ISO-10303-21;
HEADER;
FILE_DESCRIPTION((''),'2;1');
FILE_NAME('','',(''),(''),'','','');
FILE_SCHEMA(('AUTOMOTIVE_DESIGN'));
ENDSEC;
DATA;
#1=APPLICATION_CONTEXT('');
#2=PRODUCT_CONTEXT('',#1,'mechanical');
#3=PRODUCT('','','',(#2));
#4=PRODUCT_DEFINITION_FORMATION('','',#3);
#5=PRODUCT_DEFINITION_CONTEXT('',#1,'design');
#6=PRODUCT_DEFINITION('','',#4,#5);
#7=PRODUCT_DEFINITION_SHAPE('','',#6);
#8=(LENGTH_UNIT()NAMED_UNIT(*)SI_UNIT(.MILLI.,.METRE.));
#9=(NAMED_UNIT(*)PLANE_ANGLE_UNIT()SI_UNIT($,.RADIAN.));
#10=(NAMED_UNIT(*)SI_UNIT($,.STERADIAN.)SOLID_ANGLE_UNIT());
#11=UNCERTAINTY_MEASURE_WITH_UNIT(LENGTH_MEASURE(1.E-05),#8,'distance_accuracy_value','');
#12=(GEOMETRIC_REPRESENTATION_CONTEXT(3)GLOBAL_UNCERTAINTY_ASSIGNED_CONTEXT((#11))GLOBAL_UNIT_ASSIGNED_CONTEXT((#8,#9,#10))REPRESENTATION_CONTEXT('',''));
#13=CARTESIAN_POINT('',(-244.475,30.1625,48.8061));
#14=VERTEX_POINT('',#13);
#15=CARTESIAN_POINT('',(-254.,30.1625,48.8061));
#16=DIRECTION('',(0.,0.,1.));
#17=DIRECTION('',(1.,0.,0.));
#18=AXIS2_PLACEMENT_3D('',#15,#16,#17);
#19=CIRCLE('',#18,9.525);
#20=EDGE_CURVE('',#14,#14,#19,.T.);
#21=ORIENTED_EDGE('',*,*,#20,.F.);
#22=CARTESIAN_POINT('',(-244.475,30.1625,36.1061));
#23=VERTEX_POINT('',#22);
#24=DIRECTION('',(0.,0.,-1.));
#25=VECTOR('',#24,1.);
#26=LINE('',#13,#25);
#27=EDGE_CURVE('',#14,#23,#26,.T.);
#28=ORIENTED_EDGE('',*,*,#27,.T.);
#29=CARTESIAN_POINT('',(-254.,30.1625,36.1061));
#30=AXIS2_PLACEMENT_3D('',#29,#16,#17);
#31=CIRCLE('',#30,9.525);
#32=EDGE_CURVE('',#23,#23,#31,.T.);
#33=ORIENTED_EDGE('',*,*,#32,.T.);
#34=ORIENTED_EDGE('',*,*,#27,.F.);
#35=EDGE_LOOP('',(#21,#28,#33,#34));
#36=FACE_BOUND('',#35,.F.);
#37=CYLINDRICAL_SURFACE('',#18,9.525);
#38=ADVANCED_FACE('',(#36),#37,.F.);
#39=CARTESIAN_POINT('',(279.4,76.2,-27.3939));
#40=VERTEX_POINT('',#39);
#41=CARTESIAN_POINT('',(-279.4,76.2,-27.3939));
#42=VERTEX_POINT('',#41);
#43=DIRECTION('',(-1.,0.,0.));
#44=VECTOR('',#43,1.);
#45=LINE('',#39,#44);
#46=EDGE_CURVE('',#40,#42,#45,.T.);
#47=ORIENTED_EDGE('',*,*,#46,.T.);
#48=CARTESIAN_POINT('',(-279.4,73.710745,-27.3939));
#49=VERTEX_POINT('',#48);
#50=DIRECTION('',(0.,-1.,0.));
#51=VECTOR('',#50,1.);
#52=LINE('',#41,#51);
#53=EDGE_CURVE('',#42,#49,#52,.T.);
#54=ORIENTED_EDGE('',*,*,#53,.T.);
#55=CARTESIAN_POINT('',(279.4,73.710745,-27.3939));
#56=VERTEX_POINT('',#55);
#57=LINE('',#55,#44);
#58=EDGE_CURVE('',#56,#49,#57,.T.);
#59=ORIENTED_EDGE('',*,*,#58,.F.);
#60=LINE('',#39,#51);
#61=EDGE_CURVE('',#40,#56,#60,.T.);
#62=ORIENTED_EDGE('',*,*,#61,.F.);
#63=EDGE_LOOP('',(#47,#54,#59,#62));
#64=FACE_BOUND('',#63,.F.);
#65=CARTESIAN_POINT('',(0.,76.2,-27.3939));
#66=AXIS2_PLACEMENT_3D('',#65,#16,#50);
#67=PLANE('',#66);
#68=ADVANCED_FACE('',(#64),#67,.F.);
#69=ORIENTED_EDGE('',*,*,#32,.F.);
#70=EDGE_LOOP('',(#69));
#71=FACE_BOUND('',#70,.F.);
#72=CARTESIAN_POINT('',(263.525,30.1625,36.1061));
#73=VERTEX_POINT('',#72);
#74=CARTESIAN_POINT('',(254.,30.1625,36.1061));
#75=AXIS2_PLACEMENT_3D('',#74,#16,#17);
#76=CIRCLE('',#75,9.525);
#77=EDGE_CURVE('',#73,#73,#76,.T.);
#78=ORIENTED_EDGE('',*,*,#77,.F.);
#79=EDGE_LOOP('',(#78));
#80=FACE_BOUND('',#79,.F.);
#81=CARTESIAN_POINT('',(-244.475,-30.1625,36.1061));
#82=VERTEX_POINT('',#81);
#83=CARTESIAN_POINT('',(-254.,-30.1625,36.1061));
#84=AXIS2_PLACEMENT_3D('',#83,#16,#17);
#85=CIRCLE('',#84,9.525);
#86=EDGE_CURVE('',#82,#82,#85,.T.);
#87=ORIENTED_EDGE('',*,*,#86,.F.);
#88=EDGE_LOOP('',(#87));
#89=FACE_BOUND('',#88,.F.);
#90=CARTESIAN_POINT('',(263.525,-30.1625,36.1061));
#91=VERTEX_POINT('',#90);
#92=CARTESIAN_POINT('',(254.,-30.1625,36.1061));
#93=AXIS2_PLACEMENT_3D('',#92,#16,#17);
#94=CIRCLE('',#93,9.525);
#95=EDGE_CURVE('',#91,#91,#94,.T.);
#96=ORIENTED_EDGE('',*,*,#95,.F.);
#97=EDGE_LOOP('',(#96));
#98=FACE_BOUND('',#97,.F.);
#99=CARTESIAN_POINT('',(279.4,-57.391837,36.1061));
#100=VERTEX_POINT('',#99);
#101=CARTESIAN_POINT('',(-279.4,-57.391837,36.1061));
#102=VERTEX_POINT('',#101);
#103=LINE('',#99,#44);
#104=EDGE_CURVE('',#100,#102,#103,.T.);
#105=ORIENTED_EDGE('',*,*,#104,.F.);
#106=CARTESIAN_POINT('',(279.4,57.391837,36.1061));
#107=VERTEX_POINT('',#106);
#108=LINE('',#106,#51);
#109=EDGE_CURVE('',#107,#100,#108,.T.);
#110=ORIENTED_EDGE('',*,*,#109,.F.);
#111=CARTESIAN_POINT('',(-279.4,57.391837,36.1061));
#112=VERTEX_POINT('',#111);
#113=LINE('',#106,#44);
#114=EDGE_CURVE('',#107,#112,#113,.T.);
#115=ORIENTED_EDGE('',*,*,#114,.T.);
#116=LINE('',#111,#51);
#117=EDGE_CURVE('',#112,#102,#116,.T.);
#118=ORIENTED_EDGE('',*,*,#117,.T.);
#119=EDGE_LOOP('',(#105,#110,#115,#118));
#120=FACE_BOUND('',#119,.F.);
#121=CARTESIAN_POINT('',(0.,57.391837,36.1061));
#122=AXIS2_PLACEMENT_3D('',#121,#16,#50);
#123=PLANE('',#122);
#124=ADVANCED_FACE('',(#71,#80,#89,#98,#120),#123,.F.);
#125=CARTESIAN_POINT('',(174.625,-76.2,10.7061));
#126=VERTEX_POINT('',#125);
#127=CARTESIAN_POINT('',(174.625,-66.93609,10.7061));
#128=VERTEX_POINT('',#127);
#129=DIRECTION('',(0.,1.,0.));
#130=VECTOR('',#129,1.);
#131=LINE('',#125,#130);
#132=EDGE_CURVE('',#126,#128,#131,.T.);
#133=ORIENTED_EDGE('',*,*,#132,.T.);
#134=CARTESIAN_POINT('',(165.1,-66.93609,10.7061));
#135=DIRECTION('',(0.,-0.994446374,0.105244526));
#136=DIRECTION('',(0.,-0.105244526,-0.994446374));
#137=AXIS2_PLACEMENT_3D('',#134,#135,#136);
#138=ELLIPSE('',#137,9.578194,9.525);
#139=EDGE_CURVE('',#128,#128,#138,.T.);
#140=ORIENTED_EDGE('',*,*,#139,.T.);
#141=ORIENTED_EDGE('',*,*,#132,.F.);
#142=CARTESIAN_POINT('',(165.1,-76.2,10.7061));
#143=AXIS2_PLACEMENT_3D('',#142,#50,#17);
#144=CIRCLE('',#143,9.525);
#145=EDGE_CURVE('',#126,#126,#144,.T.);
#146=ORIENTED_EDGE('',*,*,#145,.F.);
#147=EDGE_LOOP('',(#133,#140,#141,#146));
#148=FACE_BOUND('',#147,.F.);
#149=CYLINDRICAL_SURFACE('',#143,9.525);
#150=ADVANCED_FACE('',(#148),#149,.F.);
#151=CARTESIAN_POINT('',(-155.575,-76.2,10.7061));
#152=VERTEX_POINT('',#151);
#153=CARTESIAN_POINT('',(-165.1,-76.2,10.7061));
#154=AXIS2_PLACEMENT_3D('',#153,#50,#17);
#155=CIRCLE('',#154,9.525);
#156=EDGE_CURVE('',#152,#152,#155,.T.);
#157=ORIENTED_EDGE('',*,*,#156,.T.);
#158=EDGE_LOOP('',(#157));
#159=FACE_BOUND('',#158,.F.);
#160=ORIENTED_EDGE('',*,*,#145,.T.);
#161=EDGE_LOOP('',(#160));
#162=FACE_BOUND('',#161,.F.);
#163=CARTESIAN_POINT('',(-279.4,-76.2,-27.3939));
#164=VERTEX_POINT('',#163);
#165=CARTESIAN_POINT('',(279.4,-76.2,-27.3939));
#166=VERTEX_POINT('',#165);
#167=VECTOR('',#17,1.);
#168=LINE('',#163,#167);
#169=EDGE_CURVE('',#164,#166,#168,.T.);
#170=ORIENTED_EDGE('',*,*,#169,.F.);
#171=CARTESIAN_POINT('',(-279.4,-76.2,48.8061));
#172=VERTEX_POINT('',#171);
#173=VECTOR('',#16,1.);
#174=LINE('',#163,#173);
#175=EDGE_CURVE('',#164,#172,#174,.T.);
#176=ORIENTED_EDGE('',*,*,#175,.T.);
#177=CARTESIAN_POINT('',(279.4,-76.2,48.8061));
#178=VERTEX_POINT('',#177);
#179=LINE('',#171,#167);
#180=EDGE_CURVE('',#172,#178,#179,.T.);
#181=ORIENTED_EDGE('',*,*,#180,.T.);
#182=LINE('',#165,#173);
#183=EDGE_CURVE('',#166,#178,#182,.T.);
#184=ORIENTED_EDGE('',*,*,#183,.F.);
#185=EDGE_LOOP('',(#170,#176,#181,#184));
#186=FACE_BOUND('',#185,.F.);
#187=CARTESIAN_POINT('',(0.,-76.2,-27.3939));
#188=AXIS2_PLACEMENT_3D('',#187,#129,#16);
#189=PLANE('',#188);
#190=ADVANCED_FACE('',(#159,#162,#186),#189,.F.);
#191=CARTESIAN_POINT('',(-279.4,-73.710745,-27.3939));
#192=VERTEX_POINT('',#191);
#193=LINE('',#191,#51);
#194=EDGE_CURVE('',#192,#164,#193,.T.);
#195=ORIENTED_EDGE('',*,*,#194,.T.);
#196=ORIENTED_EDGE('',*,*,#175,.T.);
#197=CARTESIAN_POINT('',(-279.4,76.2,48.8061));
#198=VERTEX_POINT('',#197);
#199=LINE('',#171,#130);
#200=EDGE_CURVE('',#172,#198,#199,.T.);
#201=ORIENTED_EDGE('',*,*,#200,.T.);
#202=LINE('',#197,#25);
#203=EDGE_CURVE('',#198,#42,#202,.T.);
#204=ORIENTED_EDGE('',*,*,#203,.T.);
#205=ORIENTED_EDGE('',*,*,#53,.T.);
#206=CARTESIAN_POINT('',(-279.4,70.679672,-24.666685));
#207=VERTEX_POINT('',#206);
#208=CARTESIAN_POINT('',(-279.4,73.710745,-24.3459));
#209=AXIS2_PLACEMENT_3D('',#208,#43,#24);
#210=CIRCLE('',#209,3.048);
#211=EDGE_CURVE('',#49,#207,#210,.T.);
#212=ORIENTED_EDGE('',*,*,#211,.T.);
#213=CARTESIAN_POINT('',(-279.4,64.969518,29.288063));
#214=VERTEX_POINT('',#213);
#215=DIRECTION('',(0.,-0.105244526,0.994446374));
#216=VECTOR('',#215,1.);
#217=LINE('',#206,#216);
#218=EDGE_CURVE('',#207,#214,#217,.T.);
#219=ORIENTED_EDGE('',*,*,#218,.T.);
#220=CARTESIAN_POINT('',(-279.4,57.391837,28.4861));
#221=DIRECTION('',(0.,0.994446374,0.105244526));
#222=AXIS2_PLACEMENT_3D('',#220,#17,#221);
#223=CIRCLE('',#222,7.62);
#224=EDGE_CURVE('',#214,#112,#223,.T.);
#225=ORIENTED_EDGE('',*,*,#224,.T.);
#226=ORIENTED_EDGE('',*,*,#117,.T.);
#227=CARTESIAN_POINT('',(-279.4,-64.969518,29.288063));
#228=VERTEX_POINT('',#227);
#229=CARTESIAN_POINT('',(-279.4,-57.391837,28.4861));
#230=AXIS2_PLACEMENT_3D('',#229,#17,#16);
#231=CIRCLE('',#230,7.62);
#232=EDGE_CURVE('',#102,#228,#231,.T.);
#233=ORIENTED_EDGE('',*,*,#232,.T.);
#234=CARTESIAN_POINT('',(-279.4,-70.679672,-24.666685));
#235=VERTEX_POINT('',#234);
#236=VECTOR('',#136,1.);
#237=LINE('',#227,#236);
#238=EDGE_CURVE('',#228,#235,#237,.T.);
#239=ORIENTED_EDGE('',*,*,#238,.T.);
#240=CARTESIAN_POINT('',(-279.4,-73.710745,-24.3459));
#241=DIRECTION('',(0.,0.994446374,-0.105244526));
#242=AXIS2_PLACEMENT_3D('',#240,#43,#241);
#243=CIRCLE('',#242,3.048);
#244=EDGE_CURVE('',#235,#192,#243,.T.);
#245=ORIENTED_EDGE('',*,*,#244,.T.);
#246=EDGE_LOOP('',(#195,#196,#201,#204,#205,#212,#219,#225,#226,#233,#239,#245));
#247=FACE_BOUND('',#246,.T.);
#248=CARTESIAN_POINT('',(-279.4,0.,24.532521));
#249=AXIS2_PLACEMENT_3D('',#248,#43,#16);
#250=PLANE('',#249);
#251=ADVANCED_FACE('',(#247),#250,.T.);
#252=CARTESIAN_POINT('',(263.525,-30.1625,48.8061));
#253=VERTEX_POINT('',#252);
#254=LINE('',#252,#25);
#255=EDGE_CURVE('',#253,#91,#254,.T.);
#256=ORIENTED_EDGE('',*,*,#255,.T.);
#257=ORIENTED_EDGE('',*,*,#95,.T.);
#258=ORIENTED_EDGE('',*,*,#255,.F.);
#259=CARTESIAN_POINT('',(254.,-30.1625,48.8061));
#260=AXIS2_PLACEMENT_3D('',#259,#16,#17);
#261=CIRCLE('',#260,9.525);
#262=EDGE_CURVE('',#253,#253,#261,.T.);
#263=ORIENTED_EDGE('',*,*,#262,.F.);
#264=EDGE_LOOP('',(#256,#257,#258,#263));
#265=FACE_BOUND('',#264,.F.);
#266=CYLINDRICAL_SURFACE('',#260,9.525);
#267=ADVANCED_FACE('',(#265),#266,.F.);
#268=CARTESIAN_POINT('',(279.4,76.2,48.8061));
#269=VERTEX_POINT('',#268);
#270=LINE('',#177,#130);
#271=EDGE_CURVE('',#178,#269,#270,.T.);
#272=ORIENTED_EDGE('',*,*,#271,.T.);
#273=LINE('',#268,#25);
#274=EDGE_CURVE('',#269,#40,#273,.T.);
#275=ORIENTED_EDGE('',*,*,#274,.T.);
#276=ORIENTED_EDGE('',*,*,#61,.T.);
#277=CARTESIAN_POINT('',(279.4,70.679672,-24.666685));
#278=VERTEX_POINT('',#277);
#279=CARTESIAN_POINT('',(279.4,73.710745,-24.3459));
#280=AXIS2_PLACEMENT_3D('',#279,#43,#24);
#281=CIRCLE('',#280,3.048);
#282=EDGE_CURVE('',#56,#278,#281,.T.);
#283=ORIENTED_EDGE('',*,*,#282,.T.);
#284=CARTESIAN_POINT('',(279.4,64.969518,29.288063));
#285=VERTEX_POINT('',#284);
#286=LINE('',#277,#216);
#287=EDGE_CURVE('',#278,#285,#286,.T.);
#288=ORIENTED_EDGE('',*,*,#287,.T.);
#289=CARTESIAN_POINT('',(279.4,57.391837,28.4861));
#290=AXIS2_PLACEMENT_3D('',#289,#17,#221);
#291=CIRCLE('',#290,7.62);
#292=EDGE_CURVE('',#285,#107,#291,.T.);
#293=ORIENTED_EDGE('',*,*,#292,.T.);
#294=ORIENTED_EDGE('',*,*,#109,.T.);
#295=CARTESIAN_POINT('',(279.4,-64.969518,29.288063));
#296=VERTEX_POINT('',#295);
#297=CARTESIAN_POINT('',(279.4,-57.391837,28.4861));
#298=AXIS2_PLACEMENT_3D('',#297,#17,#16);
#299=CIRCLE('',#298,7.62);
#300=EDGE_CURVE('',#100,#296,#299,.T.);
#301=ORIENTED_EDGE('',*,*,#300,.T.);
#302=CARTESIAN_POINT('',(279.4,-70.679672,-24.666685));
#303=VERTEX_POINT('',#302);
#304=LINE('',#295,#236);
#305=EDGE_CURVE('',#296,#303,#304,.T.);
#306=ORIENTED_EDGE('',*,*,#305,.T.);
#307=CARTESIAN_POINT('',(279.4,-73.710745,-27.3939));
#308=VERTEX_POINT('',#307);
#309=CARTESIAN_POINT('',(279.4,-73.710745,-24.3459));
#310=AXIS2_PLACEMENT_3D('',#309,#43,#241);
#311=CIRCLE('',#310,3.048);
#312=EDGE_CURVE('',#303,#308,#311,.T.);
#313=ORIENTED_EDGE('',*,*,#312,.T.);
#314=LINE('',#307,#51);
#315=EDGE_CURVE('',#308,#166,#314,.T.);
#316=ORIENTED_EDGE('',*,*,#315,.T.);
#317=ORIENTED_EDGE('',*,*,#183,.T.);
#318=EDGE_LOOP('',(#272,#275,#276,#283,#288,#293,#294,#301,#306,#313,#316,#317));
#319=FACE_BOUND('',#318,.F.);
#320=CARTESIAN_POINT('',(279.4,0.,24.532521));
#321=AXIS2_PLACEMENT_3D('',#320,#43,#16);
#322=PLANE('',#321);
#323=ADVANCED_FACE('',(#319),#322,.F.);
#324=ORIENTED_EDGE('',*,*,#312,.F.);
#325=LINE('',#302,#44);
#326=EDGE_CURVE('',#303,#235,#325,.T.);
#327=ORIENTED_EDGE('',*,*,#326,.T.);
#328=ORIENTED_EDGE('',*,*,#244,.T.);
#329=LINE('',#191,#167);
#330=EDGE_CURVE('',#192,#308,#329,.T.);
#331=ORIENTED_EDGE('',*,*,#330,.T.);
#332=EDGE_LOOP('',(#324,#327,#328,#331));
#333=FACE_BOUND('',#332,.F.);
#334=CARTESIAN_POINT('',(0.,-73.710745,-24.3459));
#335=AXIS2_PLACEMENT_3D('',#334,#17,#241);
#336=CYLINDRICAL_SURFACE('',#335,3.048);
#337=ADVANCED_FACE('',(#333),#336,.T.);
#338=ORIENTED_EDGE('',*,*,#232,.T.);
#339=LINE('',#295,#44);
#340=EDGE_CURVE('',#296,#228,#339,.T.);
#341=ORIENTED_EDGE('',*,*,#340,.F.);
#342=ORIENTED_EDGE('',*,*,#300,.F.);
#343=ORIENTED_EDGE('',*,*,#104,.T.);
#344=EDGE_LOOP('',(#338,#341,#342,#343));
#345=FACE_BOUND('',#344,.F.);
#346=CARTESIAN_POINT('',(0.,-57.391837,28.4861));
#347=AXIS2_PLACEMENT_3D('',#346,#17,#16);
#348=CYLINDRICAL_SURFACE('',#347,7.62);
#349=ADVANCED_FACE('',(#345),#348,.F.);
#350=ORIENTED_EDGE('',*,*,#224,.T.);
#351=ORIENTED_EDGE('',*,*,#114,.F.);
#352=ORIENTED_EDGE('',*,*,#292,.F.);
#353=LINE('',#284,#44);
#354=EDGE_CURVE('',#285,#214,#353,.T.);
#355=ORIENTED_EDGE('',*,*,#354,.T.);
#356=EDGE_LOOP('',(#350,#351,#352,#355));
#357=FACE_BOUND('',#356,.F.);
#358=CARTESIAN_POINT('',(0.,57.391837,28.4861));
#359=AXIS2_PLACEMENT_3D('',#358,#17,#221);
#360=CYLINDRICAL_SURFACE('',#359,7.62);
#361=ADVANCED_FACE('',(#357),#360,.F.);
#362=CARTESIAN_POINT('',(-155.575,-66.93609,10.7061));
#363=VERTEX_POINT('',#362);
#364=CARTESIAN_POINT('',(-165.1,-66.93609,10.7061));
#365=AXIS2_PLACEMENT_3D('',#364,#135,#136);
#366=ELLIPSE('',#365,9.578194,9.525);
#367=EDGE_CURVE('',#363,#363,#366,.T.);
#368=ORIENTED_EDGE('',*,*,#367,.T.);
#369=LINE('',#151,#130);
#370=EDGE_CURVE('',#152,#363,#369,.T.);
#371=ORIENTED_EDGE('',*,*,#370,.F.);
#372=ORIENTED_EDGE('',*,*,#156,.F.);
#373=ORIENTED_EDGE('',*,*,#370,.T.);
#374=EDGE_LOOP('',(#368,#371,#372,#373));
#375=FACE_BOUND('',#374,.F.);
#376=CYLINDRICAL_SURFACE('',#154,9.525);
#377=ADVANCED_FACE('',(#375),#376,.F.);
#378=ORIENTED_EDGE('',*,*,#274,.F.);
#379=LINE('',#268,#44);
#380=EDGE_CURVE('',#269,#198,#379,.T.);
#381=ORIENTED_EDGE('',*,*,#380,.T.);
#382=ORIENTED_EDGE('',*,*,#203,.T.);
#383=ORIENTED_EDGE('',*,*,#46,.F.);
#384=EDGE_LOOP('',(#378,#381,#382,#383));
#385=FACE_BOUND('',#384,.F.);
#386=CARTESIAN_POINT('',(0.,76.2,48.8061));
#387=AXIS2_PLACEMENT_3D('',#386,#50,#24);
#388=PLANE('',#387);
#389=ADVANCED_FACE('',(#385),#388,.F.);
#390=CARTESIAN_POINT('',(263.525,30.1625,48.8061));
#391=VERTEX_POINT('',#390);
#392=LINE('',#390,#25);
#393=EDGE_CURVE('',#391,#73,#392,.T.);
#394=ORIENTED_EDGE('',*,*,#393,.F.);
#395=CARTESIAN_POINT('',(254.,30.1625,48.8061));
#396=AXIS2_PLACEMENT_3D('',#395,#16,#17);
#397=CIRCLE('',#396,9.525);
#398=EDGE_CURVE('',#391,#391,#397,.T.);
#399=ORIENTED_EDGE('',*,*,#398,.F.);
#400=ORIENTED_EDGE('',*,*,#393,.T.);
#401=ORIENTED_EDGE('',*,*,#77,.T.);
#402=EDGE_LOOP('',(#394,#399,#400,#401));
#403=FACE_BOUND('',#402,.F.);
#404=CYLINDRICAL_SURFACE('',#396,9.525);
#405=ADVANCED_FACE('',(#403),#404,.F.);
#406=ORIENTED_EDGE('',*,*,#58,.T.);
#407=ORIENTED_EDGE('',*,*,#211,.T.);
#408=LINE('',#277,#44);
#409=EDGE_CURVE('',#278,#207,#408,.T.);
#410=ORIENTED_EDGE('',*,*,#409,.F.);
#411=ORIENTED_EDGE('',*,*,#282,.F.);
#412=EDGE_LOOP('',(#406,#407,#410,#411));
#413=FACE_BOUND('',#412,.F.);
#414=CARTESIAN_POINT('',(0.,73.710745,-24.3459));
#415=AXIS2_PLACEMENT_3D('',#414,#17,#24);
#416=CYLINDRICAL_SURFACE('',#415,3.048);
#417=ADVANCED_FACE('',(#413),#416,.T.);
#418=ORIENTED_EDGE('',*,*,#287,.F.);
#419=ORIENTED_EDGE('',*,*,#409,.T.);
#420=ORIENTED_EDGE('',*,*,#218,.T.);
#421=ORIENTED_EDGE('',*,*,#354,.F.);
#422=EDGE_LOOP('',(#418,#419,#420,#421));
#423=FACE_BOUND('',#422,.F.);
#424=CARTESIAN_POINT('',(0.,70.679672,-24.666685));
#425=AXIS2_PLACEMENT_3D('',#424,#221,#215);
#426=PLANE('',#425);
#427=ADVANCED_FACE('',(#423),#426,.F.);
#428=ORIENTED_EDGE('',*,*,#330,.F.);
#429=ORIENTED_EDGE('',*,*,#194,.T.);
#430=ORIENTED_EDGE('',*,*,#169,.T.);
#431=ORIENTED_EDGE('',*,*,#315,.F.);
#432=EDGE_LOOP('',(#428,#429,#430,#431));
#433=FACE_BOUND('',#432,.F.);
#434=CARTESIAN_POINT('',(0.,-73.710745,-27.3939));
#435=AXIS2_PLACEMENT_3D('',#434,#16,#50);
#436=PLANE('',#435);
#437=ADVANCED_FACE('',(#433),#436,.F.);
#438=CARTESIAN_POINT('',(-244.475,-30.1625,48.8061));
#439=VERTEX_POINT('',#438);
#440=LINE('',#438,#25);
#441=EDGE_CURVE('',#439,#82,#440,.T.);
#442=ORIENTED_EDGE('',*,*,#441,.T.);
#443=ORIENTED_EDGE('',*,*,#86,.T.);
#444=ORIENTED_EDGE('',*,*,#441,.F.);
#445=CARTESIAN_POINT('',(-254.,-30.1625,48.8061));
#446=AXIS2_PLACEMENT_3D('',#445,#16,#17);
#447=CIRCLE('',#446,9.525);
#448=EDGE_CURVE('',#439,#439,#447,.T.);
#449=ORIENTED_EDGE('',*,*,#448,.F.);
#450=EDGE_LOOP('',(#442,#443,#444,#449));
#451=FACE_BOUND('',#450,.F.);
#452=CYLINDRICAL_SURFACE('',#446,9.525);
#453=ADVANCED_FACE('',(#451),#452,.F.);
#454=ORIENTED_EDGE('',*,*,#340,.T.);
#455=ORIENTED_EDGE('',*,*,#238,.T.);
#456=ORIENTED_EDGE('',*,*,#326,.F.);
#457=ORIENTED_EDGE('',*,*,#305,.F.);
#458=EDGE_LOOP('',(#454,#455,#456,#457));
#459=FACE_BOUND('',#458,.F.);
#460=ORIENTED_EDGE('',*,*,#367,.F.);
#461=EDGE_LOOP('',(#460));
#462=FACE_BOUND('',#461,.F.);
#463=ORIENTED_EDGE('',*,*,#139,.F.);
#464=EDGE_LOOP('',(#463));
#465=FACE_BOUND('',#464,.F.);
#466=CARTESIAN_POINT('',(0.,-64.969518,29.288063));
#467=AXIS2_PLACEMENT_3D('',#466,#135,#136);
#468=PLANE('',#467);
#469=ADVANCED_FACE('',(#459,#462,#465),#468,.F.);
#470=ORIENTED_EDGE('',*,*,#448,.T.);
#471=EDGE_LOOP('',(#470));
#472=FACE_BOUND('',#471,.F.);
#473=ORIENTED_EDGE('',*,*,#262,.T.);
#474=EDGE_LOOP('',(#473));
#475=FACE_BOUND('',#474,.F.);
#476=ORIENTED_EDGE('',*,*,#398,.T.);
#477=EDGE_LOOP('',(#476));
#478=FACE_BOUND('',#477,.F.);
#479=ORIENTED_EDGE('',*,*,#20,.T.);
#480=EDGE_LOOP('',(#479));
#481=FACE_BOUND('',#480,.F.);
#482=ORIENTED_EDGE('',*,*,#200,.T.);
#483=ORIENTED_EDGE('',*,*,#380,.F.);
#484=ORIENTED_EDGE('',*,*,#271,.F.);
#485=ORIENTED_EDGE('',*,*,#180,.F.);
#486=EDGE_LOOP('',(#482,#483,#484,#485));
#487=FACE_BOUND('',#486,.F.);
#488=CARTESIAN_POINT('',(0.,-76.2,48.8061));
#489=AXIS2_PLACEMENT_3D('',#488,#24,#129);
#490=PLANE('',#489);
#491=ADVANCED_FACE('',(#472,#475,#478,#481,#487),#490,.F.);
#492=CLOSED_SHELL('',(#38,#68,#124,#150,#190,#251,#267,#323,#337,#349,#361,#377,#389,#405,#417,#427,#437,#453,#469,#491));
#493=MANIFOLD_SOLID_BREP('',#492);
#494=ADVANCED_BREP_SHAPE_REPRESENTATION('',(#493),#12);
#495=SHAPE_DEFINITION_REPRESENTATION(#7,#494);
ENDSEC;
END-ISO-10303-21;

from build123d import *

# Parameters (mm, degrees)
BOSS_EXTRUDE1_DEPTH = 279.4
CUT_EXTRUDE1_REACH  = 78.2
SKETCH2_R           = 9.525
CUT_EXTRUDE2_REACH  = 154.4
SKETCH3_R           = 9.525


with BuildPart() as part:
    # Sketch1 → Boss-Extrude1 (new body, symmetric)
    with BuildSketch(Plane(origin=(0, 0, 0), x_dir=(0, 0, -1), z_dir=(1, 0, 0))):
        with BuildLine():
            Line((-48.8061, -76.2), (-48.8061, 76.2))
            Line((-48.8061, 76.2), (27.3939, 76.2))
            Line((27.3939, 76.2), (27.3939, 73.710744653))
            ThreePointArc((27.3939, 73.710744653), (26.61173954, 71.672050174), (24.666685315, 70.679672107))
            Line((24.666685315, 70.679672107), (-29.288063286, 64.969518115))
            ThreePointArc((-29.288063286, 64.969518115), (-34.150698849, 62.488572947), (-36.1061, 57.391836749))
            Line((-36.1061, 57.391836749), (-36.1061, -57.391836749))
            ThreePointArc((-36.1061, -57.391836749), (-34.150698849, -62.488572947), (-29.288063286, -64.969518115))
            Line((-29.288063286, -64.969518115), (24.666685315, -70.679672107))
            ThreePointArc((24.666685315, -70.679672107), (26.61173954, -71.672050174), (27.3939, -73.710744653))
            Line((27.3939, -73.710744653), (27.3939, -76.2))
            Line((27.3939, -76.2), (-48.8061, -76.2))
        make_face()
    extrude(amount=BOSS_EXTRUDE1_DEPTH, both=True)

    # Sketch2 → Cut-Extrude1 (cut, up to next)
    with BuildSketch(Plane.XY.offset(48.8061), mode=Mode.PRIVATE) as cut_extrude1_sk1:
        with Locations((-254, 30.1625)):
            Circle(SKETCH2_R)
    cut_extrude1_tool1 = extrude(cut_extrude1_sk1.sketch, amount=-CUT_EXTRUDE1_REACH, mode=Mode.PRIVATE) & part.part
    add(cut_extrude1_tool1.solids().sort_by_distance((-254, 30.1625, 48.8061))[0], mode=Mode.SUBTRACT)
    # Sketch2 → Cut-Extrude1 (cut, up to next)
    with BuildSketch(Plane.XY.offset(48.8061), mode=Mode.PRIVATE) as cut_extrude1_sk2:
        with Locations((-254, -30.1625)):
            Circle(SKETCH2_R)
    cut_extrude1_tool2 = extrude(cut_extrude1_sk2.sketch, amount=-CUT_EXTRUDE1_REACH, mode=Mode.PRIVATE) & part.part
    add(cut_extrude1_tool2.solids().sort_by_distance((-254, -30.1625, 48.8061))[0], mode=Mode.SUBTRACT)
    # Sketch2 → Cut-Extrude1 (cut, up to next)
    with BuildSketch(Plane.XY.offset(48.8061), mode=Mode.PRIVATE) as cut_extrude1_sk3:
        with Locations((254, -30.1625)):
            Circle(SKETCH2_R)
    cut_extrude1_tool3 = extrude(cut_extrude1_sk3.sketch, amount=-CUT_EXTRUDE1_REACH, mode=Mode.PRIVATE) & part.part
    add(cut_extrude1_tool3.solids().sort_by_distance((254, -30.1625, 48.8061))[0], mode=Mode.SUBTRACT)
    # Sketch2 → Cut-Extrude1 (cut, up to next)
    with BuildSketch(Plane.XY.offset(48.8061), mode=Mode.PRIVATE) as cut_extrude1_sk4:
        with Locations((254, 30.1625)):
            Circle(SKETCH2_R)
    cut_extrude1_tool4 = extrude(cut_extrude1_sk4.sketch, amount=-CUT_EXTRUDE1_REACH, mode=Mode.PRIVATE) & part.part
    add(cut_extrude1_tool4.solids().sort_by_distance((254, 30.1625, 48.8061))[0], mode=Mode.SUBTRACT)

    # Sketch3 → Cut-Extrude2 (cut, up to next)
    with BuildSketch(Plane.XZ.offset(76.2), mode=Mode.PRIVATE) as cut_extrude2_sk1:
        with Locations((-165.1, 10.7061)):
            Circle(SKETCH3_R)
    cut_extrude2_tool1 = extrude(cut_extrude2_sk1.sketch, amount=-CUT_EXTRUDE2_REACH, mode=Mode.PRIVATE) & part.part
    add(cut_extrude2_tool1.solids().sort_by_distance((-165.1, -76.2, 10.7061))[0], mode=Mode.SUBTRACT)
    # Sketch3 → Cut-Extrude2 (cut, up to next)
    with BuildSketch(Plane.XZ.offset(76.2), mode=Mode.PRIVATE) as cut_extrude2_sk2:
        with Locations((165.1, 10.7061)):
            Circle(SKETCH3_R)
    cut_extrude2_tool2 = extrude(cut_extrude2_sk2.sketch, amount=-CUT_EXTRUDE2_REACH, mode=Mode.PRIVATE) & part.part
    add(cut_extrude2_tool2.solids().sort_by_distance((165.1, -76.2, 10.7061))[0], mode=Mode.SUBTRACT)


solid = part.part
